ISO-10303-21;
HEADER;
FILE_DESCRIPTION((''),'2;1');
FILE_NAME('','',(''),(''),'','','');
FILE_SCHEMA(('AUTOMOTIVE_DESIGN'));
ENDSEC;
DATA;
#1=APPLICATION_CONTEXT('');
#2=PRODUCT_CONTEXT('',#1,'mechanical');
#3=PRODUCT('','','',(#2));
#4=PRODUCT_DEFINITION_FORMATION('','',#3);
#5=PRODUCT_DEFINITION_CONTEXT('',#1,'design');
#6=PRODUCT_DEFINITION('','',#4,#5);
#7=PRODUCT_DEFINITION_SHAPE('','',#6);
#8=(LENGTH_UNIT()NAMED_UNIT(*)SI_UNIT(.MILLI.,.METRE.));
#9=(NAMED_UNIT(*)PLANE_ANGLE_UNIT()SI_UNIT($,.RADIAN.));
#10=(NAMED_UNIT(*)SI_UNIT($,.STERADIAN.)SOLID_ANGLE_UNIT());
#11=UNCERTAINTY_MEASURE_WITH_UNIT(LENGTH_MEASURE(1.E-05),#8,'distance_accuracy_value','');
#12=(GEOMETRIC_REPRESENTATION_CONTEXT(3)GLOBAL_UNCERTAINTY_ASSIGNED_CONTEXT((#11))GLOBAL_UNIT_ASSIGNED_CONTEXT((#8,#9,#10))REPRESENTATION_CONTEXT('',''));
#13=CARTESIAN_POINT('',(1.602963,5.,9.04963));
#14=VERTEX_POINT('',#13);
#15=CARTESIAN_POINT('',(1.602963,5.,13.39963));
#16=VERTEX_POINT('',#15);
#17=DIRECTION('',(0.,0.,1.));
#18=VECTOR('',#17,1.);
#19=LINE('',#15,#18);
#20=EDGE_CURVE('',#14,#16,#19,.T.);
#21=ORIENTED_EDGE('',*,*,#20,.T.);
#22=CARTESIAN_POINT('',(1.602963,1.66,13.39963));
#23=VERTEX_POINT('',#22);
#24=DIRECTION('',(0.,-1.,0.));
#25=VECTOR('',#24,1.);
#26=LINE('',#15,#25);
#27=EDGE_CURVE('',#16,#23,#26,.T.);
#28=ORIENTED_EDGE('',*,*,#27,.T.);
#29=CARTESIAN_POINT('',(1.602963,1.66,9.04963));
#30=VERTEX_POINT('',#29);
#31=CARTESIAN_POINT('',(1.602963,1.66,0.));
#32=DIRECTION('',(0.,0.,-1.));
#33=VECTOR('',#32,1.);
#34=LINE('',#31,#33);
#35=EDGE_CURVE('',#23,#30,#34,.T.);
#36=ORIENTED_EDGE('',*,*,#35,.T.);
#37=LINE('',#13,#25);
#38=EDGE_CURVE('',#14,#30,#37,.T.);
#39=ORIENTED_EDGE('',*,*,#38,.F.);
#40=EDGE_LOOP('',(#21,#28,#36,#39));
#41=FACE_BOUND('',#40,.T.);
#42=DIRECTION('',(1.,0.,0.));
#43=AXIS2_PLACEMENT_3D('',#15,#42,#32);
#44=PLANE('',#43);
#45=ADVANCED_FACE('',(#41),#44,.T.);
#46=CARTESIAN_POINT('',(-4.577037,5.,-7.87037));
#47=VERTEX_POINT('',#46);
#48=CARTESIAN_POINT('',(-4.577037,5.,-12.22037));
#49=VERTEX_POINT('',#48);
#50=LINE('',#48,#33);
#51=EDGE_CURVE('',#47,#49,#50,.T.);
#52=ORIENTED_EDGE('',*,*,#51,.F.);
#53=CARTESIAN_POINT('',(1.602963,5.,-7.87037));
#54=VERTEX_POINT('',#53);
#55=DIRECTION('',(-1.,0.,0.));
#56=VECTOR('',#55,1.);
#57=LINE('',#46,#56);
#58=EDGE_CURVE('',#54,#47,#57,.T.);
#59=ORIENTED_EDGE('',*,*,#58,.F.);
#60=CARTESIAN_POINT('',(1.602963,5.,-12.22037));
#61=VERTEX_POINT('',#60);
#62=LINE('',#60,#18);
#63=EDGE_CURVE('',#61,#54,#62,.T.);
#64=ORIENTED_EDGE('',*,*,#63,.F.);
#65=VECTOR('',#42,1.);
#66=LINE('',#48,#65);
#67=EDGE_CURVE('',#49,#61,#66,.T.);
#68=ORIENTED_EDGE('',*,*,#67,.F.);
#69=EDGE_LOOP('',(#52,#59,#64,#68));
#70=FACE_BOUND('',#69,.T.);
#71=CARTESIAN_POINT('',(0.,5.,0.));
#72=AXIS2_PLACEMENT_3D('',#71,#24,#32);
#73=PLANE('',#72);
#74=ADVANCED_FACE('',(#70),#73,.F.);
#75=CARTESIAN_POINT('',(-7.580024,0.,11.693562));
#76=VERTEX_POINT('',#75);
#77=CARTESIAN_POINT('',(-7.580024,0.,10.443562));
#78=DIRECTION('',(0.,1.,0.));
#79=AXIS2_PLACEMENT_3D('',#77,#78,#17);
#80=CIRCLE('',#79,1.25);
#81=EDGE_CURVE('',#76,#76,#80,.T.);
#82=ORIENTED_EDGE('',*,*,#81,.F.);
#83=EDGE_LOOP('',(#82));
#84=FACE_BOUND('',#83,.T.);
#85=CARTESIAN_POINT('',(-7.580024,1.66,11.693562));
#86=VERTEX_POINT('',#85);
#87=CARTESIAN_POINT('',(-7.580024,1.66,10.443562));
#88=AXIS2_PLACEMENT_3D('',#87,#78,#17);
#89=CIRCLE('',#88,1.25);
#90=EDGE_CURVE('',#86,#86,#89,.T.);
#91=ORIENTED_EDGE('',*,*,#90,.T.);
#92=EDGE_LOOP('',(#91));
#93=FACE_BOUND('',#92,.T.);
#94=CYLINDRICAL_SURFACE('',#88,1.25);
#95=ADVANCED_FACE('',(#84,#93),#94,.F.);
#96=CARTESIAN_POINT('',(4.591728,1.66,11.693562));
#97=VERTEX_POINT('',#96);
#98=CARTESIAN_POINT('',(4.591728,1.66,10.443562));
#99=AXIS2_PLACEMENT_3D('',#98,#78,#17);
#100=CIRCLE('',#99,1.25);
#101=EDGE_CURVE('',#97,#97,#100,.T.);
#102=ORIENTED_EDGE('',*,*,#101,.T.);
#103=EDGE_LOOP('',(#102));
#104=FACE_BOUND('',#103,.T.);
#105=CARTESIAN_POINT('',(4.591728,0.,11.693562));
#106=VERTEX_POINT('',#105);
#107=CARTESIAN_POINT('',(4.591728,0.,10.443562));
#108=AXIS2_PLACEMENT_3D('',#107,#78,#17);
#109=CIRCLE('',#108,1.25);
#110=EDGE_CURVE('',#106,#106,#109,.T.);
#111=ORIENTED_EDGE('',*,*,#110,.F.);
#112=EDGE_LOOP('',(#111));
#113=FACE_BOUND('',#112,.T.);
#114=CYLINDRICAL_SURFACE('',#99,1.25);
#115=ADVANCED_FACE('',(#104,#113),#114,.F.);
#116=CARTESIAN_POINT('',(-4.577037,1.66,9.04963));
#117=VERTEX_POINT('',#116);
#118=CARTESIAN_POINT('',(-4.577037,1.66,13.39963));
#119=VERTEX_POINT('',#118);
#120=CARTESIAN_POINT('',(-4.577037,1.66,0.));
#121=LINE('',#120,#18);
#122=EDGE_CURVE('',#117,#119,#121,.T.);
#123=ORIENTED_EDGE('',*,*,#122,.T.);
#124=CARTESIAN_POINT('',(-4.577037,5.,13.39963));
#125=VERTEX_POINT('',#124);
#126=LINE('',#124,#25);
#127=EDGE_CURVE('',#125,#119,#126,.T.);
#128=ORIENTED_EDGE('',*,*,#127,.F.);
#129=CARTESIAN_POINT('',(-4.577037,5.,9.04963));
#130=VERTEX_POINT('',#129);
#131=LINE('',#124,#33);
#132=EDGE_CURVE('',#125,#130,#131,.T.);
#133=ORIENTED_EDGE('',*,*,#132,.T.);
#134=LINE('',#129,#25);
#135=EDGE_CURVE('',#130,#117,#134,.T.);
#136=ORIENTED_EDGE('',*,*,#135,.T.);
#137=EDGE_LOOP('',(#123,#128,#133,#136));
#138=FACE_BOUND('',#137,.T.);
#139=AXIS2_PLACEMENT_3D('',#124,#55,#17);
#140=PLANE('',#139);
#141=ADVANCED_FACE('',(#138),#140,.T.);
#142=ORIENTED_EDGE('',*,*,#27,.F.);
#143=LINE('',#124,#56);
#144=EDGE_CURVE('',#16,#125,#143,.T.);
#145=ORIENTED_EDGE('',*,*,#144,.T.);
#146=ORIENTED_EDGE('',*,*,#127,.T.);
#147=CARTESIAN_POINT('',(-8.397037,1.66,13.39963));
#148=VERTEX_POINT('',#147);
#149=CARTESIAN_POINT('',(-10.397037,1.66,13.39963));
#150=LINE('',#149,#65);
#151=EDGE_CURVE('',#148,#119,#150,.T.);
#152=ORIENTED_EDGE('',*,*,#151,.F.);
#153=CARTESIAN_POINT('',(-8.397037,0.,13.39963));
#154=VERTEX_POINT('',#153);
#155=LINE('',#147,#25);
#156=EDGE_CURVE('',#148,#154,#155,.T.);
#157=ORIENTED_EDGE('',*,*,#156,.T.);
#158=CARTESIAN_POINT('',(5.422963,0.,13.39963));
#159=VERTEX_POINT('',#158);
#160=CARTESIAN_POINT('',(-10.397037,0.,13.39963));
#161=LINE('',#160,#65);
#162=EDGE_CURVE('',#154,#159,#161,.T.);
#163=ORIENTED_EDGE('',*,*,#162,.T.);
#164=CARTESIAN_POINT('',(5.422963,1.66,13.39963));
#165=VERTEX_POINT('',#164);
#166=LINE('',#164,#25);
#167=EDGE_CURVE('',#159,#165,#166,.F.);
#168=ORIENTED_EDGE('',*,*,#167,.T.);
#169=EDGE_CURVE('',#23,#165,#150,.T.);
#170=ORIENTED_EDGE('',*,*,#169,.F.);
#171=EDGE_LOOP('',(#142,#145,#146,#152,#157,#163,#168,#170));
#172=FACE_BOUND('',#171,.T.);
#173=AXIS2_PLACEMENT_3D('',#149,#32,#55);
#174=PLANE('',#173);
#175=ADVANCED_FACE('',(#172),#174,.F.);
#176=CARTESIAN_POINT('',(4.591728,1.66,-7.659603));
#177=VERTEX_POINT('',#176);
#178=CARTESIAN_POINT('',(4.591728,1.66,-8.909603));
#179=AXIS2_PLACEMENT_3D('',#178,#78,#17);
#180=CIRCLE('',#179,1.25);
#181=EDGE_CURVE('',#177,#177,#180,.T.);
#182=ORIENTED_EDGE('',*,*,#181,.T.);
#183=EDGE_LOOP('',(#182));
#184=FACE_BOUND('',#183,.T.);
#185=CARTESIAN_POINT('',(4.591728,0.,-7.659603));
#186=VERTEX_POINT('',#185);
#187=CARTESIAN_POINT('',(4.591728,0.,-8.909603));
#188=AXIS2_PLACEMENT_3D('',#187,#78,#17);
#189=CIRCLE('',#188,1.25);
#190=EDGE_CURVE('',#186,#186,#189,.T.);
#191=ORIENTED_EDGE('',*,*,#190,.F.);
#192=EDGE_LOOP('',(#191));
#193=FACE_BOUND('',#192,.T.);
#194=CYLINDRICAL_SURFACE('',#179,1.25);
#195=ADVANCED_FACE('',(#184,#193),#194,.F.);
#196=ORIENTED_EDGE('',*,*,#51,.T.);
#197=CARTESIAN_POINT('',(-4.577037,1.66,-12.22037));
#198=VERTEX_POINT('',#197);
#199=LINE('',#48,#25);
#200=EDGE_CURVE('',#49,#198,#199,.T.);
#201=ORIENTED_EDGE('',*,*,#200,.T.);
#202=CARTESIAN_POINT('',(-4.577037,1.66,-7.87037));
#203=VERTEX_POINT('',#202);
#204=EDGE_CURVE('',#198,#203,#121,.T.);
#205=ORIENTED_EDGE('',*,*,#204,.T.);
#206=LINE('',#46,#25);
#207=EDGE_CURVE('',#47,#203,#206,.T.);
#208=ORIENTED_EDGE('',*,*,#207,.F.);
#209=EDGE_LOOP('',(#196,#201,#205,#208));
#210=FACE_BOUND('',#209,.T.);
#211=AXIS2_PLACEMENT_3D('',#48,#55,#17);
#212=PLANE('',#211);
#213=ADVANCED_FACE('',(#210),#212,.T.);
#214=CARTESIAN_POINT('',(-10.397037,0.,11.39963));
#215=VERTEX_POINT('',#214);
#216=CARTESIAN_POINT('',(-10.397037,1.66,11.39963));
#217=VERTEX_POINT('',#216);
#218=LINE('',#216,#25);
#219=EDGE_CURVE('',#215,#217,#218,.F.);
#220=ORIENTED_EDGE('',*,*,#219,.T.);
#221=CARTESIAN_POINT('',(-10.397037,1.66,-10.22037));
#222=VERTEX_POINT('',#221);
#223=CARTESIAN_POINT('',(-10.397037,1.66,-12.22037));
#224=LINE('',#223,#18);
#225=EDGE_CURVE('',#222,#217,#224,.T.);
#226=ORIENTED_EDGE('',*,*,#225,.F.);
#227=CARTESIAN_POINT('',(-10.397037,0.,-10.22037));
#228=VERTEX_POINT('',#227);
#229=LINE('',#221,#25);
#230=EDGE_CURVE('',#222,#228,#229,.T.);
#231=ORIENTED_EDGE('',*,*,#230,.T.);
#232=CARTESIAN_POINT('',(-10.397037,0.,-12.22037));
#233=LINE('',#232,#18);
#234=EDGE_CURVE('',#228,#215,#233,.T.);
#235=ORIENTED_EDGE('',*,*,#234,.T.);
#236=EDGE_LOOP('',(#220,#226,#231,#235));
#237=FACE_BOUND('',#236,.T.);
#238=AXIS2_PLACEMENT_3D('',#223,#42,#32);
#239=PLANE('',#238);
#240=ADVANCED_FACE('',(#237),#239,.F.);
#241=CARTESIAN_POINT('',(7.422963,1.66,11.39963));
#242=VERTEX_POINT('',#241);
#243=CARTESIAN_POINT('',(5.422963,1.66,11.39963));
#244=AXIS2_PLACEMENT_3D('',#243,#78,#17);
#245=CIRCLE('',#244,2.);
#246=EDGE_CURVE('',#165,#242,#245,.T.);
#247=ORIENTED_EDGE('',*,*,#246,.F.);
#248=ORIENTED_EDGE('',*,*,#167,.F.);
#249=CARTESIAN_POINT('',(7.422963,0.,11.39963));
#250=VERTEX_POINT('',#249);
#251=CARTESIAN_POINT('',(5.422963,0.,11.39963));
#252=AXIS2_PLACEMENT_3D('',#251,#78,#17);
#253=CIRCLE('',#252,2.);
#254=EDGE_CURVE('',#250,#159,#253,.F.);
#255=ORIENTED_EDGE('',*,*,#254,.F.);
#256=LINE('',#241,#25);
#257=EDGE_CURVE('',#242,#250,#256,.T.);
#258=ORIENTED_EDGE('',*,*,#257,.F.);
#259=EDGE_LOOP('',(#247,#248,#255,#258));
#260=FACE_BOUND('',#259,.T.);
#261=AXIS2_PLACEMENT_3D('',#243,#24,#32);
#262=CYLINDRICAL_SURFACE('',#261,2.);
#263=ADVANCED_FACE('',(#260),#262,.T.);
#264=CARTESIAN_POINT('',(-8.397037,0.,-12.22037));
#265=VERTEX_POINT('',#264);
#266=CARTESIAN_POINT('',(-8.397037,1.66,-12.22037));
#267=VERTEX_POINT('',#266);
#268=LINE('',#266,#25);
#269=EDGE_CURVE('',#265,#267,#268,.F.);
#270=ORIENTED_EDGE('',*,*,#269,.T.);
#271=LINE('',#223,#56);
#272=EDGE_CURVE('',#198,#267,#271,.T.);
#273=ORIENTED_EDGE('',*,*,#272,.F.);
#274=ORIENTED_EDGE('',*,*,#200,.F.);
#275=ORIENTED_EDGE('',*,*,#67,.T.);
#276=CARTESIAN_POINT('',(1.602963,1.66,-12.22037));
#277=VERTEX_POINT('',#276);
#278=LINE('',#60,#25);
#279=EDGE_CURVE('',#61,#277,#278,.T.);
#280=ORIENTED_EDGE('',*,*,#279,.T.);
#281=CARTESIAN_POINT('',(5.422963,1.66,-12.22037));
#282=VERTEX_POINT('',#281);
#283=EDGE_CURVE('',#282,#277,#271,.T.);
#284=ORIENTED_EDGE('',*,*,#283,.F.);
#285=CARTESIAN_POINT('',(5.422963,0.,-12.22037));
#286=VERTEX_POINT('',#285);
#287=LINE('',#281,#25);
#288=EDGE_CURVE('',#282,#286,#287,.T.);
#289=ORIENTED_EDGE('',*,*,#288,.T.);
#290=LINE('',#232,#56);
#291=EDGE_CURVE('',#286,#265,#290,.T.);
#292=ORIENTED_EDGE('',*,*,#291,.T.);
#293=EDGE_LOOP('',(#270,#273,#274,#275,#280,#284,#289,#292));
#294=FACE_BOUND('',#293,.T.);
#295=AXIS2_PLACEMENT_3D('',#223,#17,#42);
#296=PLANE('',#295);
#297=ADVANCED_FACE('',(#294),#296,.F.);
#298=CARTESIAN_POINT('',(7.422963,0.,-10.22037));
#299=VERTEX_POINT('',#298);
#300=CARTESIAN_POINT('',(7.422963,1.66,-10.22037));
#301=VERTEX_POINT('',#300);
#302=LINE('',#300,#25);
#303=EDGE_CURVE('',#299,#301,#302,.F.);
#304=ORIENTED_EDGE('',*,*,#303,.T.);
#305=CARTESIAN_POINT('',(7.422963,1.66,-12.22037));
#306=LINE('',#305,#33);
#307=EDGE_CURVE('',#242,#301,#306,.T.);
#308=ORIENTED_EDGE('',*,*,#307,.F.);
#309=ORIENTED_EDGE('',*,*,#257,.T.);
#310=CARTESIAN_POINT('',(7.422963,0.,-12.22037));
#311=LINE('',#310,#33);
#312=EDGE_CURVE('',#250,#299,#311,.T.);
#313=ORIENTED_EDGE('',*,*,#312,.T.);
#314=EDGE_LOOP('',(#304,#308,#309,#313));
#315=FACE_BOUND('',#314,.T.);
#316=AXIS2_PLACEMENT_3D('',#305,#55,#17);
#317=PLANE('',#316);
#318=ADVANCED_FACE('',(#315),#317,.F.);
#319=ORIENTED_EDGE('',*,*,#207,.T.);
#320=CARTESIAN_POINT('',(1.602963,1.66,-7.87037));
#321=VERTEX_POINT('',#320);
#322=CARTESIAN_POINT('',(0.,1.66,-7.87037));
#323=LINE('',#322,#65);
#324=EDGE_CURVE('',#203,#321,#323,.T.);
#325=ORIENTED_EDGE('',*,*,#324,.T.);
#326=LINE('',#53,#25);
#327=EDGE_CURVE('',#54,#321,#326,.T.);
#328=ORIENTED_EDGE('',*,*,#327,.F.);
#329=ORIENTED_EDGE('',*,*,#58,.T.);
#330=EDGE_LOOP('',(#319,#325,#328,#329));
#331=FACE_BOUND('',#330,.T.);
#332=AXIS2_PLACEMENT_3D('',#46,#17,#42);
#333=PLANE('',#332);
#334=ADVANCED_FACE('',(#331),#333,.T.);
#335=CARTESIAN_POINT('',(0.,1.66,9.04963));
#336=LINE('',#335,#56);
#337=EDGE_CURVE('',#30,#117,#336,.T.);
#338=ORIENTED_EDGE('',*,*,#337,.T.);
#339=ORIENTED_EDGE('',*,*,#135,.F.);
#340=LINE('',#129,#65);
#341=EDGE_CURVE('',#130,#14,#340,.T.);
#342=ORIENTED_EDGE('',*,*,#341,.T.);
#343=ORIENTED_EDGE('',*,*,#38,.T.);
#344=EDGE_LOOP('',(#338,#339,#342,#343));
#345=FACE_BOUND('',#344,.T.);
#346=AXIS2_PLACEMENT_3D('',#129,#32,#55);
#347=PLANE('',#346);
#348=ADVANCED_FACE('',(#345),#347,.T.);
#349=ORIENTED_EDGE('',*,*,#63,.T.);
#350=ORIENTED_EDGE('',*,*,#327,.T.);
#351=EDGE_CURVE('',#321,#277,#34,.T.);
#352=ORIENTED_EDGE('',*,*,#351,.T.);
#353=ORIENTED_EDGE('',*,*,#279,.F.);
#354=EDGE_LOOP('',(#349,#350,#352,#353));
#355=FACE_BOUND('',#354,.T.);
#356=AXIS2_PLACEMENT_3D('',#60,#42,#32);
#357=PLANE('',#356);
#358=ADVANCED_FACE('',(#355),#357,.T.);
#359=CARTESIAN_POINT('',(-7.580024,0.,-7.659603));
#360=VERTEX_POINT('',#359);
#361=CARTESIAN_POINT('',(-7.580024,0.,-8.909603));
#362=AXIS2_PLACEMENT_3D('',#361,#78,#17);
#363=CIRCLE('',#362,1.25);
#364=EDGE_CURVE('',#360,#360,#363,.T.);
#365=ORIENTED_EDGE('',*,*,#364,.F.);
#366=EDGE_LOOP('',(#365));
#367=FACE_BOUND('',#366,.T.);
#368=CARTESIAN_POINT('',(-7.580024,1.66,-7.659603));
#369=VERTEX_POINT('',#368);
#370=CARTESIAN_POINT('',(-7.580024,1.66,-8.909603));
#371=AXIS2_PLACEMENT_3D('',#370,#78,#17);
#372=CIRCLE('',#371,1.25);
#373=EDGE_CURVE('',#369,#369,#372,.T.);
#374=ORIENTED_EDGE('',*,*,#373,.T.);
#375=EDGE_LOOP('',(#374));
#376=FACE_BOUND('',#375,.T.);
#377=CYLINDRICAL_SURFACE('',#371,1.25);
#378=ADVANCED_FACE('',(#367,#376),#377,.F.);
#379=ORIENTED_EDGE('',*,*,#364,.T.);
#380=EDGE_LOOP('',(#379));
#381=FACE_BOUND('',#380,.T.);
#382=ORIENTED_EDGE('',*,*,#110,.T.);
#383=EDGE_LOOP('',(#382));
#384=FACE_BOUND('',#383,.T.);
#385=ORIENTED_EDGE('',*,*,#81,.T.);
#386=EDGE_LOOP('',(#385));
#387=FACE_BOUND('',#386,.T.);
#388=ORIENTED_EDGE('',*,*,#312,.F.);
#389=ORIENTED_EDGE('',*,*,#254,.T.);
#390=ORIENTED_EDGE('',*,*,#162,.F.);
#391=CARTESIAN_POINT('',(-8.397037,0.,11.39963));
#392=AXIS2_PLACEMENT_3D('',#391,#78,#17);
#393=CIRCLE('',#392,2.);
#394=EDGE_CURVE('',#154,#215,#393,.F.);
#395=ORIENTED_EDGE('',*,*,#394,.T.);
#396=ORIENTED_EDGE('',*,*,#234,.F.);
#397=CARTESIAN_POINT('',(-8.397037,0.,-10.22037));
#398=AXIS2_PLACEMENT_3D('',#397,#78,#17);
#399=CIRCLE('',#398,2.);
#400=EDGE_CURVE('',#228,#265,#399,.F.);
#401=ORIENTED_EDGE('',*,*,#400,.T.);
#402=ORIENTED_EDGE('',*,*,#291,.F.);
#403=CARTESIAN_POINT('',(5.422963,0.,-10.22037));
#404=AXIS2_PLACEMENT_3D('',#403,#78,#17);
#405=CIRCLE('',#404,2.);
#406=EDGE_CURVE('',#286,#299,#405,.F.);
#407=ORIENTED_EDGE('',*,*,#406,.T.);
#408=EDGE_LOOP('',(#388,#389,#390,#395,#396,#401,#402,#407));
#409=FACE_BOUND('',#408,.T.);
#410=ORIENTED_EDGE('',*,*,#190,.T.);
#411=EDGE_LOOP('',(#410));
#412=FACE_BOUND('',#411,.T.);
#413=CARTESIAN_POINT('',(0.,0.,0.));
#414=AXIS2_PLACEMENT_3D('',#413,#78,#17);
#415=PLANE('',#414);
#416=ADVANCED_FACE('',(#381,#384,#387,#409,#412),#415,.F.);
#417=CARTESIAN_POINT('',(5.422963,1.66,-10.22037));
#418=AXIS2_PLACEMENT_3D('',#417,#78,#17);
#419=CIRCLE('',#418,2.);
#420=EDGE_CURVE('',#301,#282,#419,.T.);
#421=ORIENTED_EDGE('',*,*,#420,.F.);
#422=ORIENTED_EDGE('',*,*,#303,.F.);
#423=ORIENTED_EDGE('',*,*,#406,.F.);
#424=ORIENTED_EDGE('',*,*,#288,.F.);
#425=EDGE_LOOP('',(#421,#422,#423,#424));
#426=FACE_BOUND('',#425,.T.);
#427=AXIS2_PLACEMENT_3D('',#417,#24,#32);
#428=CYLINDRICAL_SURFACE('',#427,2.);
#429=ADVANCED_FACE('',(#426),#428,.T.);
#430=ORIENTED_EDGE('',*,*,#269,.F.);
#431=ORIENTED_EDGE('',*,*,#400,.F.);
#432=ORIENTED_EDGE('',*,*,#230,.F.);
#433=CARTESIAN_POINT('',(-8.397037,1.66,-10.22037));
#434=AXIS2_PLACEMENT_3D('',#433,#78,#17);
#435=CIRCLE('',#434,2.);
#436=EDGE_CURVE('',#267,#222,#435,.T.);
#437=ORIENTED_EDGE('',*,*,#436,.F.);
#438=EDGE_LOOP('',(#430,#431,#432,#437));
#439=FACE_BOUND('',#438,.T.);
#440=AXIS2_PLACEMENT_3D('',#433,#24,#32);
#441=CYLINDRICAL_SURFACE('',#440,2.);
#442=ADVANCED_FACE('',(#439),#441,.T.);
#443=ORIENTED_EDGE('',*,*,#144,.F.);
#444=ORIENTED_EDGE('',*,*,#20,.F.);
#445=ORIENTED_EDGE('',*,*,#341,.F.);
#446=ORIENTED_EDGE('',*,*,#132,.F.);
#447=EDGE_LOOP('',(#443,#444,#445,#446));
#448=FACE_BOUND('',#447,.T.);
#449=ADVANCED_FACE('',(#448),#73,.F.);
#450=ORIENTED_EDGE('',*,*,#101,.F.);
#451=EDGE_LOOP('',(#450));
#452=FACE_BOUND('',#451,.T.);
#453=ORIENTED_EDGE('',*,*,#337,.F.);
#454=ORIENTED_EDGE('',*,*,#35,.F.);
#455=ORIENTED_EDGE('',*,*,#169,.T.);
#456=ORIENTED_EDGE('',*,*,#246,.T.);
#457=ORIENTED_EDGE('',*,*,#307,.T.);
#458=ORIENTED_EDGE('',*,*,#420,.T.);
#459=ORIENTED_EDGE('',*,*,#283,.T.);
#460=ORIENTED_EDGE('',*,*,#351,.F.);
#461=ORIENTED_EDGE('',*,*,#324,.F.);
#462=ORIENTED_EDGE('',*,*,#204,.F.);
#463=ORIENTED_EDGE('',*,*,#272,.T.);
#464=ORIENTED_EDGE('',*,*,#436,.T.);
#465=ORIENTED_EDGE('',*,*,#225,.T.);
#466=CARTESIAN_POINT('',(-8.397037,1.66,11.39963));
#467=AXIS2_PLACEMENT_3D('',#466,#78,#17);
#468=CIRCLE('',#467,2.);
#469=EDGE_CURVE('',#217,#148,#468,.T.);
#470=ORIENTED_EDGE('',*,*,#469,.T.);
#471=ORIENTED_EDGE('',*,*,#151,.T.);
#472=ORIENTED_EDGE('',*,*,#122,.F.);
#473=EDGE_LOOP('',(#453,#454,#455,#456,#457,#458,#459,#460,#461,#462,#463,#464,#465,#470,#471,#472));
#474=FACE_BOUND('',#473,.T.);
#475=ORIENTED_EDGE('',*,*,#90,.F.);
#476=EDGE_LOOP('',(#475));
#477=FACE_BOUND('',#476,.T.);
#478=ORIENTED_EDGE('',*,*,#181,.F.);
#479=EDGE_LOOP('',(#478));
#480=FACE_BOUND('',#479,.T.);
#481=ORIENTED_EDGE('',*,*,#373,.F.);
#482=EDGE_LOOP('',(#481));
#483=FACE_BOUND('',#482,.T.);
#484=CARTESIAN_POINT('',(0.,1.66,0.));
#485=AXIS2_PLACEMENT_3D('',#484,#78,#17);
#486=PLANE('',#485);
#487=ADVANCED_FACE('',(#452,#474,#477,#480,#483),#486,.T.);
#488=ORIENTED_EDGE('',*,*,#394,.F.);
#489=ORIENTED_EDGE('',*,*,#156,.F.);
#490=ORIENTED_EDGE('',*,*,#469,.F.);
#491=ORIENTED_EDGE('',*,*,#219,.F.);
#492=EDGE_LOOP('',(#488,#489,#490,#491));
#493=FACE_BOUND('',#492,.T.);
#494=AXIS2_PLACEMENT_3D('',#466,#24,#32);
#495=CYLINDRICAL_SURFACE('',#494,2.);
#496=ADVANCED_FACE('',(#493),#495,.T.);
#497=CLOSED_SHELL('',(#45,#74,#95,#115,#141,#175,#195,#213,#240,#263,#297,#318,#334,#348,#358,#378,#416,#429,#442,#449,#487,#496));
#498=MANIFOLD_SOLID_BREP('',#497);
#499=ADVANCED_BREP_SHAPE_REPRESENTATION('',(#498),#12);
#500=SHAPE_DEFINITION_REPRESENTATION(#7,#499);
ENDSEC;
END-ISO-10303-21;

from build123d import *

# Parameters (mm, degrees)
SKETCH1_W           = 17.82
SKETCH1_H           = 25.62
BOSS_EXTRUDE1_DEPTH = 1.66
SKETCH2_W           = 6.18
SKETCH2_H           = 4.35
BOSS_EXTRUDE2_DEPTH = 5
FILLET1_R           = 2
HOLE1_D             = 2.5


with BuildPart() as part:
    # Sketch1 → Boss-Extrude1 (new body)
    with BuildSketch(Plane(origin=(0, 0, 0), x_dir=(1, 0, 0), z_dir=(0, 1, 0))):
        with Locations((-1.487037037, -0.58962963)):
            Rectangle(SKETCH1_W, SKETCH1_H)
    extrude(amount=BOSS_EXTRUDE1_DEPTH)

    # Sketch2 → Boss-Extrude2 (add)
    with BuildSketch(Plane(origin=(0, 0, 0), x_dir=(-1, 0, 0), z_dir=(0, -1, 0))):
        with Locations((1.487037037, -11.22462963)):
            Rectangle(SKETCH2_W, SKETCH2_H)
        with Locations((1.487037037, 10.04537037)):
            Rectangle(SKETCH2_W, SKETCH2_H)
    extrude(amount=-BOSS_EXTRUDE2_DEPTH)

    # Fillet1
    fillet1_edges = [part.edges().sort_by_distance(p)[0] for p in [
        (-10.397037037, 0.83, -12.22037037),
        (7.422962963, 0.83, -12.22037037),
        (7.422962963, 0.83, 13.39962963),
        (-10.397037037, 0.83, 13.39962963),
    ]]
    fillet(fillet1_edges, radius=FILLET1_R)

    # Hole1 (through all)
    with Locations(Plane(origin=(0, 1.66, 0), x_dir=(1, 0, 0), z_dir=(0, 1, 0))):
        with Locations((4.591727838, -10.44356219), (-7.580024265, -10.44356219), (-7.580024265, 8.909603349), (4.591727838, 8.909603349)):
            Hole(HOLE1_D / 2)


solid = part.part
